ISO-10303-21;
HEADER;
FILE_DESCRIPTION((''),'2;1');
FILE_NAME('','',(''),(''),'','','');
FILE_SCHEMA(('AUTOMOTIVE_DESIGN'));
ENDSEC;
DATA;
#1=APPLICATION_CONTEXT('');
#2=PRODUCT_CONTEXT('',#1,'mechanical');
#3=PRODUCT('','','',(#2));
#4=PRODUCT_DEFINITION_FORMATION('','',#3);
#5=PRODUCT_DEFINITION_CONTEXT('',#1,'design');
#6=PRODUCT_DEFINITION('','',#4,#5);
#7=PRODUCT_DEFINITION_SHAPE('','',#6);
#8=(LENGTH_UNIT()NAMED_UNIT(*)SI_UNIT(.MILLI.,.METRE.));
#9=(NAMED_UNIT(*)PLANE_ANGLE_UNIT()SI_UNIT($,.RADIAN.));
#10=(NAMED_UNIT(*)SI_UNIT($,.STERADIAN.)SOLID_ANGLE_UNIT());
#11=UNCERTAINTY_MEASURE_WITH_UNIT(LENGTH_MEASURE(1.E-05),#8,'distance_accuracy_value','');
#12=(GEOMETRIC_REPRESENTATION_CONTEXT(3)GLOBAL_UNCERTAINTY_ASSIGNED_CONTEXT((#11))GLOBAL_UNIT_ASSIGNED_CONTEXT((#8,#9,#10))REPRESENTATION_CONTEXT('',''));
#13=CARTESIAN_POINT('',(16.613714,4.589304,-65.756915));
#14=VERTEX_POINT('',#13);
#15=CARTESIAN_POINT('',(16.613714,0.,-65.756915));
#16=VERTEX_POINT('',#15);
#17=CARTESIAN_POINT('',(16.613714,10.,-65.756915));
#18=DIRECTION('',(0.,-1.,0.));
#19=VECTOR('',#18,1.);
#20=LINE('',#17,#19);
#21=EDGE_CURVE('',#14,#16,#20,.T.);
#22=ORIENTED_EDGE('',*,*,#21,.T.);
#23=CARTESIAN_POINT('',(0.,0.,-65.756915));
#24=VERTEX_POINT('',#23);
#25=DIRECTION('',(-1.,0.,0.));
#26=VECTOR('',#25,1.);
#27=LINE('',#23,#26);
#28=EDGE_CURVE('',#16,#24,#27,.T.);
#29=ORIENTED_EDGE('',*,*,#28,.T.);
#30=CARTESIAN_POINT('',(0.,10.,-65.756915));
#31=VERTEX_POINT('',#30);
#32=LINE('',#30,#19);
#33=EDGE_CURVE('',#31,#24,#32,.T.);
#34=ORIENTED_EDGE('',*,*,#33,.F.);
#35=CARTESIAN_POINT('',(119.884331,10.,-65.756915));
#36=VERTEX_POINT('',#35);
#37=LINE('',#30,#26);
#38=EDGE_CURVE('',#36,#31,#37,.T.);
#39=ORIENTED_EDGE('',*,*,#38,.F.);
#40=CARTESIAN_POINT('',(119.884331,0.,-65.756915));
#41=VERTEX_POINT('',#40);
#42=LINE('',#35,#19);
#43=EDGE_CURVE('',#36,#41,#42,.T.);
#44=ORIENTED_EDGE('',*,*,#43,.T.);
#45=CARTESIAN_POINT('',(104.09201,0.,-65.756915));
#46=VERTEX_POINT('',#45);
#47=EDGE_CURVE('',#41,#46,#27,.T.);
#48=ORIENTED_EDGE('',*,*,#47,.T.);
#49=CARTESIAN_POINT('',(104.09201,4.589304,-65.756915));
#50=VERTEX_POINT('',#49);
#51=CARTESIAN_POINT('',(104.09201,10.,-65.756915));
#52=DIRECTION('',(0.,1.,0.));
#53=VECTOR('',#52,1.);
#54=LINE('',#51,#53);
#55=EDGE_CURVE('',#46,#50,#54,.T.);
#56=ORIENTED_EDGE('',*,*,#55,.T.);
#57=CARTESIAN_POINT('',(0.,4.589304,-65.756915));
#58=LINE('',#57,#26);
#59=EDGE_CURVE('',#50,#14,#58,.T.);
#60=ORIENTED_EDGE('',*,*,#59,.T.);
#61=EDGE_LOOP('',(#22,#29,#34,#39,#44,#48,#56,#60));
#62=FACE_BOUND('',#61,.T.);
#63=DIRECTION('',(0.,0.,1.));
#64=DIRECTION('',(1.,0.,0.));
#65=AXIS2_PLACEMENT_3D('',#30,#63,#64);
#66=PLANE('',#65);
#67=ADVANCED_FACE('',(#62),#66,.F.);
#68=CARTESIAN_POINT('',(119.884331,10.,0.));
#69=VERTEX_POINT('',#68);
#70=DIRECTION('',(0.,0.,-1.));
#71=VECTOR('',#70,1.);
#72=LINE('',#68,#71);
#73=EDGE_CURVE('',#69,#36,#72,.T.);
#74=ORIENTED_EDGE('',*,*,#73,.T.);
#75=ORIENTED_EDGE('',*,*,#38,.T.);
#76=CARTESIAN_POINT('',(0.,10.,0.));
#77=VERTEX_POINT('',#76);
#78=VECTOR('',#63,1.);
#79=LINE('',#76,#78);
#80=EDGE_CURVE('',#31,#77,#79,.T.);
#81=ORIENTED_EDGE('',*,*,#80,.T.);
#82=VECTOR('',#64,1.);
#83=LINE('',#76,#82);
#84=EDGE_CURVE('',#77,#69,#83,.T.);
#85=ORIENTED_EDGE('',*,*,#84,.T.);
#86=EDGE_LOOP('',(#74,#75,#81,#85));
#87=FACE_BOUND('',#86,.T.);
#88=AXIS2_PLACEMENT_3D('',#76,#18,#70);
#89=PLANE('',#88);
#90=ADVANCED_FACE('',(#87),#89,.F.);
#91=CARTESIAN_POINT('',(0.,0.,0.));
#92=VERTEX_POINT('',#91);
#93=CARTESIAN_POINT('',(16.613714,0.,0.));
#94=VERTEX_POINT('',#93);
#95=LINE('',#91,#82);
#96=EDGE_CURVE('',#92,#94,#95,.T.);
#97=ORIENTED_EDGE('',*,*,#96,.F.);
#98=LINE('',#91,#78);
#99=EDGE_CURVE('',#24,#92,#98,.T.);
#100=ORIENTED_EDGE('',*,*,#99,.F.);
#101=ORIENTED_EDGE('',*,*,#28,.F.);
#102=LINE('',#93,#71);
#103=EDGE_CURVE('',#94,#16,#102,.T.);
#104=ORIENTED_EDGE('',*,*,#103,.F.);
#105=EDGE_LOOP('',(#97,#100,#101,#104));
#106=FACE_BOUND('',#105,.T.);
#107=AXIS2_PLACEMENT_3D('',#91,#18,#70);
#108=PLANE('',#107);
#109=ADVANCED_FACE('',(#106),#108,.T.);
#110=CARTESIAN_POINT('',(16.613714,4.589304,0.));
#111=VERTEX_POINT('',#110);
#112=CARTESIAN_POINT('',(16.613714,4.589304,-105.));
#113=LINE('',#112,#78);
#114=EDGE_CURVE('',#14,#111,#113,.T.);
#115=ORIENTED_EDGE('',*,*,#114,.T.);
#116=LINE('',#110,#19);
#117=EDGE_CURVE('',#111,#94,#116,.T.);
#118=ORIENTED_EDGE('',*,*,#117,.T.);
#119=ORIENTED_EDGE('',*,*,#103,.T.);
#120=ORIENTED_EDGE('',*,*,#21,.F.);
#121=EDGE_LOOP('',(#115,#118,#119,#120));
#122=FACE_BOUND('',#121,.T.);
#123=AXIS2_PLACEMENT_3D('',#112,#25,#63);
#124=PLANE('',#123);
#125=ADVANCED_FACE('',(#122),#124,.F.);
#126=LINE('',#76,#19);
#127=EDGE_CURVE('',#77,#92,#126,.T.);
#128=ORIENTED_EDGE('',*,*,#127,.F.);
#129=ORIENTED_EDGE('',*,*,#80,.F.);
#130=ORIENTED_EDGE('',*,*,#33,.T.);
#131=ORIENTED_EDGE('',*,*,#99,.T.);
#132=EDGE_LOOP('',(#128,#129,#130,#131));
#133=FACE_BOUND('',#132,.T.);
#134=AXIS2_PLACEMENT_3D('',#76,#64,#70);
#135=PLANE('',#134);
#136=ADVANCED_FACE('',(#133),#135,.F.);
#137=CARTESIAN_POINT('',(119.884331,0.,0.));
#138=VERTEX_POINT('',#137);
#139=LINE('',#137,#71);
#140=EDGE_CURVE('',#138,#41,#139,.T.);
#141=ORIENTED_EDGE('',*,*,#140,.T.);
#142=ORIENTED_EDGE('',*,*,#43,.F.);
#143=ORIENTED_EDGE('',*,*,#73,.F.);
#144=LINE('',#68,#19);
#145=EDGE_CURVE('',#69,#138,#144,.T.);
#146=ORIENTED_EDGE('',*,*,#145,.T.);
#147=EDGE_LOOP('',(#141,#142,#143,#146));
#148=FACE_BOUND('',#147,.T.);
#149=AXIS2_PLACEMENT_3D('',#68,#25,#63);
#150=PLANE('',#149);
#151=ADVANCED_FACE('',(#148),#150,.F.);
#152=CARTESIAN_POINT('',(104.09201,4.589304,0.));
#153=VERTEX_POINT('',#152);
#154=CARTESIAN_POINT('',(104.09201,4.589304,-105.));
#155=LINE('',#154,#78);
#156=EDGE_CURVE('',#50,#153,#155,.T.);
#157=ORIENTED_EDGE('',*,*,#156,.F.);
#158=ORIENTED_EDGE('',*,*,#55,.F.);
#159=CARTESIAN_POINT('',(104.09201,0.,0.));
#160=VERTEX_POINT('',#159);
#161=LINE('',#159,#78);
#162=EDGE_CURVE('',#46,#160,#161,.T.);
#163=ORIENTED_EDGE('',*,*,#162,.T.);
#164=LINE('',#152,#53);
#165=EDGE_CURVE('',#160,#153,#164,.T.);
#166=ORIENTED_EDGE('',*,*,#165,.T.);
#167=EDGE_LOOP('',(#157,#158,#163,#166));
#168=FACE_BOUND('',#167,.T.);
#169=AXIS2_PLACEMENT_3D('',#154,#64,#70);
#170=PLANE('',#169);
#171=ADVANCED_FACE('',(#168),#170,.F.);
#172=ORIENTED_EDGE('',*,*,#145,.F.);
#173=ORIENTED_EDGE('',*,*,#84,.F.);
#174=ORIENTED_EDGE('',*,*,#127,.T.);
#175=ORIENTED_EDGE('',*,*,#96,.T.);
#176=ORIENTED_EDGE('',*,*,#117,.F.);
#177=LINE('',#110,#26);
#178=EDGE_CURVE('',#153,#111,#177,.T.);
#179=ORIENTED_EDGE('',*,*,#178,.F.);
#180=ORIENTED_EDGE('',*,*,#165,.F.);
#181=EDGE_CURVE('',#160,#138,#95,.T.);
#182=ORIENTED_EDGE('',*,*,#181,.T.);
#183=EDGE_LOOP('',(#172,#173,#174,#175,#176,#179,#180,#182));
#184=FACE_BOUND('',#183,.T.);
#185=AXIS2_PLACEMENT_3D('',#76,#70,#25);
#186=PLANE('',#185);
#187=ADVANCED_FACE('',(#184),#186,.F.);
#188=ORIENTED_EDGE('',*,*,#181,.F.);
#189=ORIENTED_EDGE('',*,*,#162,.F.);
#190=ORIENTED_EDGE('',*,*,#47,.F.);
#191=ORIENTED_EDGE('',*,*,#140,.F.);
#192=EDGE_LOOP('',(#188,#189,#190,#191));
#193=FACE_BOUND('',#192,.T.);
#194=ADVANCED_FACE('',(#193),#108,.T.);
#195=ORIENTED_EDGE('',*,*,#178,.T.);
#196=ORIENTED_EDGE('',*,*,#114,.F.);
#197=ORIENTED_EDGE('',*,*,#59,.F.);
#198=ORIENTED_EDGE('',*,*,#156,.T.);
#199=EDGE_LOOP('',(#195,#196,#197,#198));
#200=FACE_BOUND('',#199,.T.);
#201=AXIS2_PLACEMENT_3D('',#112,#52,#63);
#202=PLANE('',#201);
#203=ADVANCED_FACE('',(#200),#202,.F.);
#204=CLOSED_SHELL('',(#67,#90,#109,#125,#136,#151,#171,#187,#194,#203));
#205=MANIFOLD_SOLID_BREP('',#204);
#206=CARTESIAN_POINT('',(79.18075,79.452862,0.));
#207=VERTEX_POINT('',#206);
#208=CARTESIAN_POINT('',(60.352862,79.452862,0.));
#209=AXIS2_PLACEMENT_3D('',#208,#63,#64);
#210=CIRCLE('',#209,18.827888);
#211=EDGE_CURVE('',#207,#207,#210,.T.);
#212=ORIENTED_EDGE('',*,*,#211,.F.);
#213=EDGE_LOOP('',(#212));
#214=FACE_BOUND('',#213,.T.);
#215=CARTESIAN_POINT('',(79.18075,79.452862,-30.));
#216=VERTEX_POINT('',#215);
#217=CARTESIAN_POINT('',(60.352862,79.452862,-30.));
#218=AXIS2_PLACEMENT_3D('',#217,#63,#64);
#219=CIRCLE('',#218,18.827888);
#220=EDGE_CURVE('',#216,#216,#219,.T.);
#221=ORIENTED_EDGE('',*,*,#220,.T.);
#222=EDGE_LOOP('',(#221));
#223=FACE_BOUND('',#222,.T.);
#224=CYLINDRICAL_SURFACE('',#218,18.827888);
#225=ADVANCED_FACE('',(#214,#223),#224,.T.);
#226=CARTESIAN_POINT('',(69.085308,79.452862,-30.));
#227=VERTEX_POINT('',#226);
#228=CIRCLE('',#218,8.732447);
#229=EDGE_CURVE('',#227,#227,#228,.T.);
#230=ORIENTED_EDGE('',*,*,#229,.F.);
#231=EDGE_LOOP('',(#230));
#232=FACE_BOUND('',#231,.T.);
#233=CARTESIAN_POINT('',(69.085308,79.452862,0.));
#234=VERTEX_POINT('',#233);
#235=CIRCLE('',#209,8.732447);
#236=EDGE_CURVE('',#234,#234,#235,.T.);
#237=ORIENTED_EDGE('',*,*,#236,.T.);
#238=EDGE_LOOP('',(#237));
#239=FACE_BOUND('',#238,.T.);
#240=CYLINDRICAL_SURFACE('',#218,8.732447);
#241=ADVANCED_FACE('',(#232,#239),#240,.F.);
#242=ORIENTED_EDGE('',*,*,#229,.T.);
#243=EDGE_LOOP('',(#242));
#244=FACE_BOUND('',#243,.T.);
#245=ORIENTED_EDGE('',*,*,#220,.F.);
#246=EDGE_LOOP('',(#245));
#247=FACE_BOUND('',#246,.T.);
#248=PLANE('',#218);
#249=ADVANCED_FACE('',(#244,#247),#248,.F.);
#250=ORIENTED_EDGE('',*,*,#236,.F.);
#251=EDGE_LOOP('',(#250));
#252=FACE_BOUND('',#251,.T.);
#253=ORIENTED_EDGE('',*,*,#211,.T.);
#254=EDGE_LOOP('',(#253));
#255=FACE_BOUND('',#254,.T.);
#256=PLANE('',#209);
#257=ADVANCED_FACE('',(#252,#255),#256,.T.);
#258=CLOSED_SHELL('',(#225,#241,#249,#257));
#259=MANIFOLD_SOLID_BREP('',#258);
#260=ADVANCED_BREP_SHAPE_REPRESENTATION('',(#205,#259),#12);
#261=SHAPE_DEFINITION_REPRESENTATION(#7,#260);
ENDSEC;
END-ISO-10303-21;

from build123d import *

# Parameters (mm, degrees)
SKETCH_1_W          = 119.884331053
SKETCH_1_H          = 65.756914518
EXTRUDE_1_DEPTH     = 10
SKETCH_2_W          = 87.478296183
SKETCH_2_H          = 12.183988045
CUT_EXTRUDE_1_DEPTH = 105
SKETCH_3_R          = 18.827887846
SKETCH_3_R_2        = 8.732446569
EXTRUDE_2_DEPTH     = 30


with BuildPart() as part:
    # 草图1 → 凸台-拉伸1 (new body)
    with BuildSketch(Plane(origin=(0, 0, 0), x_dir=(1, 0, 0), z_dir=(0, 1, 0))):
        with Locations((59.942165527, 32.878457259)):
            Rectangle(SKETCH_1_W, SKETCH_1_H)
    extrude(amount=EXTRUDE_1_DEPTH)

    # 草图2 → 切除-拉伸1 (cut)
    with BuildSketch(Plane.XY):
        with Locations((60.352861753, -1.502690248)):
            Rectangle(SKETCH_2_W, SKETCH_2_H)
    extrude(amount=-CUT_EXTRUDE_1_DEPTH, mode=Mode.SUBTRACT)


with BuildPart() as body_2:
    # 草图3 → 凸台-拉伸2 (new body)
    with BuildSketch(Plane.XY):
        with Locations((60.352861753, 79.45286153)):
            Circle(SKETCH_3_R)
        with Locations((60.352861753, 79.45286153)):
            Circle(SKETCH_3_R_2, mode=Mode.SUBTRACT)
    extrude(amount=-EXTRUDE_2_DEPTH)


solid = Compound([part.part, body_2.part])
